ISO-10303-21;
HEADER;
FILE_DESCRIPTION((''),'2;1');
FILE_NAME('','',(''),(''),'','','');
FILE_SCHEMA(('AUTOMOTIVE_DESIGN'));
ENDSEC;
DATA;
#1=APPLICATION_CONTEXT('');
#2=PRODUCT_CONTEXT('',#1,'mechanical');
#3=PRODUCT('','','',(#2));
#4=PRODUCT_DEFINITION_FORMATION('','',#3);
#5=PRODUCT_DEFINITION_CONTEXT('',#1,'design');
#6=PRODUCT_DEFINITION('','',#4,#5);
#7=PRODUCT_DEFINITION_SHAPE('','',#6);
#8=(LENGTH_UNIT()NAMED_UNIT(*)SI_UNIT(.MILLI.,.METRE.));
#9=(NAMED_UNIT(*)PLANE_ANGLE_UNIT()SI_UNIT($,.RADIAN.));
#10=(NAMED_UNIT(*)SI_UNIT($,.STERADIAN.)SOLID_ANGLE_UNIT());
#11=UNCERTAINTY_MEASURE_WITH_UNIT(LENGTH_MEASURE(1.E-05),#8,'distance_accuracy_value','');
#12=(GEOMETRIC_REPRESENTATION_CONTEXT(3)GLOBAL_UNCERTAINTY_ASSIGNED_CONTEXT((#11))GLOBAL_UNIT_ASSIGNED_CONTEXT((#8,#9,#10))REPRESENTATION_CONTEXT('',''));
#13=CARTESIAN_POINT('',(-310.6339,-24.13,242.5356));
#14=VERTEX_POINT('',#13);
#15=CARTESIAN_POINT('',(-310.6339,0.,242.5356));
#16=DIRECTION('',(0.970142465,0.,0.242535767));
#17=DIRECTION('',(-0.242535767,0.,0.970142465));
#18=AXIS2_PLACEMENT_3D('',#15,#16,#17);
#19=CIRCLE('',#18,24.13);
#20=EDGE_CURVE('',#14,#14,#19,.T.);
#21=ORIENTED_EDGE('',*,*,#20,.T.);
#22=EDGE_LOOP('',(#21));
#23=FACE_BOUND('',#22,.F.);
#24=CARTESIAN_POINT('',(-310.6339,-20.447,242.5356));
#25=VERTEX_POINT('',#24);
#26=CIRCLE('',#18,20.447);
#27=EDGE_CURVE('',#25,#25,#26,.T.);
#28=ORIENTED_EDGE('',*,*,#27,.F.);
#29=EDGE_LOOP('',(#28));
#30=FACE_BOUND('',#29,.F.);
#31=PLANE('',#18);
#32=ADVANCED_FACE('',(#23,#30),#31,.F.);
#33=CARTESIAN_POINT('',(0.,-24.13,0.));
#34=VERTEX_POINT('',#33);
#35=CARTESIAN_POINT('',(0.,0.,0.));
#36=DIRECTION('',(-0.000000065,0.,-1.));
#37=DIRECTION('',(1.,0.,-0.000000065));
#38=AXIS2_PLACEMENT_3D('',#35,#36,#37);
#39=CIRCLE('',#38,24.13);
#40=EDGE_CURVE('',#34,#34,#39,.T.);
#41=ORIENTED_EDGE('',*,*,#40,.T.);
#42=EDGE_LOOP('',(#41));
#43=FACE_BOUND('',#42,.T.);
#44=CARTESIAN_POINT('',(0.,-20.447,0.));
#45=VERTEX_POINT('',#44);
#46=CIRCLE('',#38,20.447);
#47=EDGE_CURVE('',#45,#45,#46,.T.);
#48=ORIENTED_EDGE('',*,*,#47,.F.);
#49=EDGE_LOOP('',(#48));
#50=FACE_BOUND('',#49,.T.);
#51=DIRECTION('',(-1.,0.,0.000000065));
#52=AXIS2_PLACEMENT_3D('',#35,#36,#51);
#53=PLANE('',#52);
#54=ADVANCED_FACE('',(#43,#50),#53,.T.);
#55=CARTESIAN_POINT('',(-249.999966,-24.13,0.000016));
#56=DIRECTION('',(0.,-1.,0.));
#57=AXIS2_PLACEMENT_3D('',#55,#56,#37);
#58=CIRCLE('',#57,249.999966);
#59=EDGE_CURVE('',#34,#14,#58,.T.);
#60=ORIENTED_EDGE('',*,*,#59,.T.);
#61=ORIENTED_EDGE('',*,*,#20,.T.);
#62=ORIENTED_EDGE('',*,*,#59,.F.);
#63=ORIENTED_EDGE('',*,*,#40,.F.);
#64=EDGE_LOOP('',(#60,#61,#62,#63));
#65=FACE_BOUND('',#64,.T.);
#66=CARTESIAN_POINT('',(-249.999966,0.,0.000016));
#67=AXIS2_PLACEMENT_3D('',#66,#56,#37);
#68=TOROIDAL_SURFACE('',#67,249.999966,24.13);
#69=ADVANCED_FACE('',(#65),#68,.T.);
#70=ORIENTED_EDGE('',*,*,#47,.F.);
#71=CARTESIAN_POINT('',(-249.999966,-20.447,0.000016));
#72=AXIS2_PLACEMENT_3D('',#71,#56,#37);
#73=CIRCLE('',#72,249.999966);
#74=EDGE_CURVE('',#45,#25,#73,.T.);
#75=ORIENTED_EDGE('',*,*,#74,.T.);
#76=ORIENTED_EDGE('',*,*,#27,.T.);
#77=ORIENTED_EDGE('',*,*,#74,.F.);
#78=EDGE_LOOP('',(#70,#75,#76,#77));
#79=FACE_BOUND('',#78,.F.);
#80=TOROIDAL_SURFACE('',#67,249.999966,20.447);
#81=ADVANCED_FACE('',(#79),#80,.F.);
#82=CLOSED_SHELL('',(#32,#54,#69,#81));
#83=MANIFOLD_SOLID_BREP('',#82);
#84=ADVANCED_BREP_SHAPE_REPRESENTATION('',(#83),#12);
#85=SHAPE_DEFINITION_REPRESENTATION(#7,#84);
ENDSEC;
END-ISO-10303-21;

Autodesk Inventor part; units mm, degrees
ref_plane "Start Plane" through (0, 0, 0) normal (0, 0, 1) x (1, 0, 0)
ref_plane "End Plane" through (0, 0, 453.9437) normal (0, 0, 1) x (1, 0, 0)
sketch "Sketch" plane through (0, 0, 0) normal (0, 0, -1) x (0, -1, 0)
  circle A0 centre (0, 0) radius 20.447
  circle A1 centre (0, 0) radius 24.13
  dimension "d0" = 48.26
  dimension "d1" = 3.683
sketch "Sketch3" plane through (0, 0, 0) normal (0, 0, 1) x (1, 0, 0)
  line L0 (0, 0) -> (10, 0)
ref_plane "Work Plane3" through (0, 0, 0) normal (0, -1, 0) x (1, 0, 0)
ref_plane "Orientation Work Plane" through (0, 0, 0) normal (0, 0, -1) x (0, -1, 0)
sketch3d "Sweep Path"
  arc A0 (0, 0, 0) -> (-310.6339, 0, 242.5356) centre (-250, 0, 0) ccw
sweep "Body" add profiles "Sketch" path "Sweep Path"
sketch "Sketch4" plane through (0, 0, 0) normal (0, -1, 0) x (1, 0, 0)
  line L0 (-2, 0) -> (12, 0) projected
  line L1 (-384.6095, 453.9437) -> (92.2533, 453.9437) projected
  dimension "d7" = 453.9438
equation "\"d0\" = G_H"
equation "\"d1\" = G_T"
equation "\"G_H\" = 48.26"
equation "\"G_T\" = 3.683"
equation "\"G_L\" = d7"
equation "\"G_OFFSET_START\" = 0"
equation "\"G_OFFSET_END\" = 0"
equation "\"d5\" = G_OFFSET_END + B_L"
equation "\"B_L\" = 453.94375"
properties part number "ANSI - 1 1/2 x 0.145 - 17.872" material "Steel, Mild"
